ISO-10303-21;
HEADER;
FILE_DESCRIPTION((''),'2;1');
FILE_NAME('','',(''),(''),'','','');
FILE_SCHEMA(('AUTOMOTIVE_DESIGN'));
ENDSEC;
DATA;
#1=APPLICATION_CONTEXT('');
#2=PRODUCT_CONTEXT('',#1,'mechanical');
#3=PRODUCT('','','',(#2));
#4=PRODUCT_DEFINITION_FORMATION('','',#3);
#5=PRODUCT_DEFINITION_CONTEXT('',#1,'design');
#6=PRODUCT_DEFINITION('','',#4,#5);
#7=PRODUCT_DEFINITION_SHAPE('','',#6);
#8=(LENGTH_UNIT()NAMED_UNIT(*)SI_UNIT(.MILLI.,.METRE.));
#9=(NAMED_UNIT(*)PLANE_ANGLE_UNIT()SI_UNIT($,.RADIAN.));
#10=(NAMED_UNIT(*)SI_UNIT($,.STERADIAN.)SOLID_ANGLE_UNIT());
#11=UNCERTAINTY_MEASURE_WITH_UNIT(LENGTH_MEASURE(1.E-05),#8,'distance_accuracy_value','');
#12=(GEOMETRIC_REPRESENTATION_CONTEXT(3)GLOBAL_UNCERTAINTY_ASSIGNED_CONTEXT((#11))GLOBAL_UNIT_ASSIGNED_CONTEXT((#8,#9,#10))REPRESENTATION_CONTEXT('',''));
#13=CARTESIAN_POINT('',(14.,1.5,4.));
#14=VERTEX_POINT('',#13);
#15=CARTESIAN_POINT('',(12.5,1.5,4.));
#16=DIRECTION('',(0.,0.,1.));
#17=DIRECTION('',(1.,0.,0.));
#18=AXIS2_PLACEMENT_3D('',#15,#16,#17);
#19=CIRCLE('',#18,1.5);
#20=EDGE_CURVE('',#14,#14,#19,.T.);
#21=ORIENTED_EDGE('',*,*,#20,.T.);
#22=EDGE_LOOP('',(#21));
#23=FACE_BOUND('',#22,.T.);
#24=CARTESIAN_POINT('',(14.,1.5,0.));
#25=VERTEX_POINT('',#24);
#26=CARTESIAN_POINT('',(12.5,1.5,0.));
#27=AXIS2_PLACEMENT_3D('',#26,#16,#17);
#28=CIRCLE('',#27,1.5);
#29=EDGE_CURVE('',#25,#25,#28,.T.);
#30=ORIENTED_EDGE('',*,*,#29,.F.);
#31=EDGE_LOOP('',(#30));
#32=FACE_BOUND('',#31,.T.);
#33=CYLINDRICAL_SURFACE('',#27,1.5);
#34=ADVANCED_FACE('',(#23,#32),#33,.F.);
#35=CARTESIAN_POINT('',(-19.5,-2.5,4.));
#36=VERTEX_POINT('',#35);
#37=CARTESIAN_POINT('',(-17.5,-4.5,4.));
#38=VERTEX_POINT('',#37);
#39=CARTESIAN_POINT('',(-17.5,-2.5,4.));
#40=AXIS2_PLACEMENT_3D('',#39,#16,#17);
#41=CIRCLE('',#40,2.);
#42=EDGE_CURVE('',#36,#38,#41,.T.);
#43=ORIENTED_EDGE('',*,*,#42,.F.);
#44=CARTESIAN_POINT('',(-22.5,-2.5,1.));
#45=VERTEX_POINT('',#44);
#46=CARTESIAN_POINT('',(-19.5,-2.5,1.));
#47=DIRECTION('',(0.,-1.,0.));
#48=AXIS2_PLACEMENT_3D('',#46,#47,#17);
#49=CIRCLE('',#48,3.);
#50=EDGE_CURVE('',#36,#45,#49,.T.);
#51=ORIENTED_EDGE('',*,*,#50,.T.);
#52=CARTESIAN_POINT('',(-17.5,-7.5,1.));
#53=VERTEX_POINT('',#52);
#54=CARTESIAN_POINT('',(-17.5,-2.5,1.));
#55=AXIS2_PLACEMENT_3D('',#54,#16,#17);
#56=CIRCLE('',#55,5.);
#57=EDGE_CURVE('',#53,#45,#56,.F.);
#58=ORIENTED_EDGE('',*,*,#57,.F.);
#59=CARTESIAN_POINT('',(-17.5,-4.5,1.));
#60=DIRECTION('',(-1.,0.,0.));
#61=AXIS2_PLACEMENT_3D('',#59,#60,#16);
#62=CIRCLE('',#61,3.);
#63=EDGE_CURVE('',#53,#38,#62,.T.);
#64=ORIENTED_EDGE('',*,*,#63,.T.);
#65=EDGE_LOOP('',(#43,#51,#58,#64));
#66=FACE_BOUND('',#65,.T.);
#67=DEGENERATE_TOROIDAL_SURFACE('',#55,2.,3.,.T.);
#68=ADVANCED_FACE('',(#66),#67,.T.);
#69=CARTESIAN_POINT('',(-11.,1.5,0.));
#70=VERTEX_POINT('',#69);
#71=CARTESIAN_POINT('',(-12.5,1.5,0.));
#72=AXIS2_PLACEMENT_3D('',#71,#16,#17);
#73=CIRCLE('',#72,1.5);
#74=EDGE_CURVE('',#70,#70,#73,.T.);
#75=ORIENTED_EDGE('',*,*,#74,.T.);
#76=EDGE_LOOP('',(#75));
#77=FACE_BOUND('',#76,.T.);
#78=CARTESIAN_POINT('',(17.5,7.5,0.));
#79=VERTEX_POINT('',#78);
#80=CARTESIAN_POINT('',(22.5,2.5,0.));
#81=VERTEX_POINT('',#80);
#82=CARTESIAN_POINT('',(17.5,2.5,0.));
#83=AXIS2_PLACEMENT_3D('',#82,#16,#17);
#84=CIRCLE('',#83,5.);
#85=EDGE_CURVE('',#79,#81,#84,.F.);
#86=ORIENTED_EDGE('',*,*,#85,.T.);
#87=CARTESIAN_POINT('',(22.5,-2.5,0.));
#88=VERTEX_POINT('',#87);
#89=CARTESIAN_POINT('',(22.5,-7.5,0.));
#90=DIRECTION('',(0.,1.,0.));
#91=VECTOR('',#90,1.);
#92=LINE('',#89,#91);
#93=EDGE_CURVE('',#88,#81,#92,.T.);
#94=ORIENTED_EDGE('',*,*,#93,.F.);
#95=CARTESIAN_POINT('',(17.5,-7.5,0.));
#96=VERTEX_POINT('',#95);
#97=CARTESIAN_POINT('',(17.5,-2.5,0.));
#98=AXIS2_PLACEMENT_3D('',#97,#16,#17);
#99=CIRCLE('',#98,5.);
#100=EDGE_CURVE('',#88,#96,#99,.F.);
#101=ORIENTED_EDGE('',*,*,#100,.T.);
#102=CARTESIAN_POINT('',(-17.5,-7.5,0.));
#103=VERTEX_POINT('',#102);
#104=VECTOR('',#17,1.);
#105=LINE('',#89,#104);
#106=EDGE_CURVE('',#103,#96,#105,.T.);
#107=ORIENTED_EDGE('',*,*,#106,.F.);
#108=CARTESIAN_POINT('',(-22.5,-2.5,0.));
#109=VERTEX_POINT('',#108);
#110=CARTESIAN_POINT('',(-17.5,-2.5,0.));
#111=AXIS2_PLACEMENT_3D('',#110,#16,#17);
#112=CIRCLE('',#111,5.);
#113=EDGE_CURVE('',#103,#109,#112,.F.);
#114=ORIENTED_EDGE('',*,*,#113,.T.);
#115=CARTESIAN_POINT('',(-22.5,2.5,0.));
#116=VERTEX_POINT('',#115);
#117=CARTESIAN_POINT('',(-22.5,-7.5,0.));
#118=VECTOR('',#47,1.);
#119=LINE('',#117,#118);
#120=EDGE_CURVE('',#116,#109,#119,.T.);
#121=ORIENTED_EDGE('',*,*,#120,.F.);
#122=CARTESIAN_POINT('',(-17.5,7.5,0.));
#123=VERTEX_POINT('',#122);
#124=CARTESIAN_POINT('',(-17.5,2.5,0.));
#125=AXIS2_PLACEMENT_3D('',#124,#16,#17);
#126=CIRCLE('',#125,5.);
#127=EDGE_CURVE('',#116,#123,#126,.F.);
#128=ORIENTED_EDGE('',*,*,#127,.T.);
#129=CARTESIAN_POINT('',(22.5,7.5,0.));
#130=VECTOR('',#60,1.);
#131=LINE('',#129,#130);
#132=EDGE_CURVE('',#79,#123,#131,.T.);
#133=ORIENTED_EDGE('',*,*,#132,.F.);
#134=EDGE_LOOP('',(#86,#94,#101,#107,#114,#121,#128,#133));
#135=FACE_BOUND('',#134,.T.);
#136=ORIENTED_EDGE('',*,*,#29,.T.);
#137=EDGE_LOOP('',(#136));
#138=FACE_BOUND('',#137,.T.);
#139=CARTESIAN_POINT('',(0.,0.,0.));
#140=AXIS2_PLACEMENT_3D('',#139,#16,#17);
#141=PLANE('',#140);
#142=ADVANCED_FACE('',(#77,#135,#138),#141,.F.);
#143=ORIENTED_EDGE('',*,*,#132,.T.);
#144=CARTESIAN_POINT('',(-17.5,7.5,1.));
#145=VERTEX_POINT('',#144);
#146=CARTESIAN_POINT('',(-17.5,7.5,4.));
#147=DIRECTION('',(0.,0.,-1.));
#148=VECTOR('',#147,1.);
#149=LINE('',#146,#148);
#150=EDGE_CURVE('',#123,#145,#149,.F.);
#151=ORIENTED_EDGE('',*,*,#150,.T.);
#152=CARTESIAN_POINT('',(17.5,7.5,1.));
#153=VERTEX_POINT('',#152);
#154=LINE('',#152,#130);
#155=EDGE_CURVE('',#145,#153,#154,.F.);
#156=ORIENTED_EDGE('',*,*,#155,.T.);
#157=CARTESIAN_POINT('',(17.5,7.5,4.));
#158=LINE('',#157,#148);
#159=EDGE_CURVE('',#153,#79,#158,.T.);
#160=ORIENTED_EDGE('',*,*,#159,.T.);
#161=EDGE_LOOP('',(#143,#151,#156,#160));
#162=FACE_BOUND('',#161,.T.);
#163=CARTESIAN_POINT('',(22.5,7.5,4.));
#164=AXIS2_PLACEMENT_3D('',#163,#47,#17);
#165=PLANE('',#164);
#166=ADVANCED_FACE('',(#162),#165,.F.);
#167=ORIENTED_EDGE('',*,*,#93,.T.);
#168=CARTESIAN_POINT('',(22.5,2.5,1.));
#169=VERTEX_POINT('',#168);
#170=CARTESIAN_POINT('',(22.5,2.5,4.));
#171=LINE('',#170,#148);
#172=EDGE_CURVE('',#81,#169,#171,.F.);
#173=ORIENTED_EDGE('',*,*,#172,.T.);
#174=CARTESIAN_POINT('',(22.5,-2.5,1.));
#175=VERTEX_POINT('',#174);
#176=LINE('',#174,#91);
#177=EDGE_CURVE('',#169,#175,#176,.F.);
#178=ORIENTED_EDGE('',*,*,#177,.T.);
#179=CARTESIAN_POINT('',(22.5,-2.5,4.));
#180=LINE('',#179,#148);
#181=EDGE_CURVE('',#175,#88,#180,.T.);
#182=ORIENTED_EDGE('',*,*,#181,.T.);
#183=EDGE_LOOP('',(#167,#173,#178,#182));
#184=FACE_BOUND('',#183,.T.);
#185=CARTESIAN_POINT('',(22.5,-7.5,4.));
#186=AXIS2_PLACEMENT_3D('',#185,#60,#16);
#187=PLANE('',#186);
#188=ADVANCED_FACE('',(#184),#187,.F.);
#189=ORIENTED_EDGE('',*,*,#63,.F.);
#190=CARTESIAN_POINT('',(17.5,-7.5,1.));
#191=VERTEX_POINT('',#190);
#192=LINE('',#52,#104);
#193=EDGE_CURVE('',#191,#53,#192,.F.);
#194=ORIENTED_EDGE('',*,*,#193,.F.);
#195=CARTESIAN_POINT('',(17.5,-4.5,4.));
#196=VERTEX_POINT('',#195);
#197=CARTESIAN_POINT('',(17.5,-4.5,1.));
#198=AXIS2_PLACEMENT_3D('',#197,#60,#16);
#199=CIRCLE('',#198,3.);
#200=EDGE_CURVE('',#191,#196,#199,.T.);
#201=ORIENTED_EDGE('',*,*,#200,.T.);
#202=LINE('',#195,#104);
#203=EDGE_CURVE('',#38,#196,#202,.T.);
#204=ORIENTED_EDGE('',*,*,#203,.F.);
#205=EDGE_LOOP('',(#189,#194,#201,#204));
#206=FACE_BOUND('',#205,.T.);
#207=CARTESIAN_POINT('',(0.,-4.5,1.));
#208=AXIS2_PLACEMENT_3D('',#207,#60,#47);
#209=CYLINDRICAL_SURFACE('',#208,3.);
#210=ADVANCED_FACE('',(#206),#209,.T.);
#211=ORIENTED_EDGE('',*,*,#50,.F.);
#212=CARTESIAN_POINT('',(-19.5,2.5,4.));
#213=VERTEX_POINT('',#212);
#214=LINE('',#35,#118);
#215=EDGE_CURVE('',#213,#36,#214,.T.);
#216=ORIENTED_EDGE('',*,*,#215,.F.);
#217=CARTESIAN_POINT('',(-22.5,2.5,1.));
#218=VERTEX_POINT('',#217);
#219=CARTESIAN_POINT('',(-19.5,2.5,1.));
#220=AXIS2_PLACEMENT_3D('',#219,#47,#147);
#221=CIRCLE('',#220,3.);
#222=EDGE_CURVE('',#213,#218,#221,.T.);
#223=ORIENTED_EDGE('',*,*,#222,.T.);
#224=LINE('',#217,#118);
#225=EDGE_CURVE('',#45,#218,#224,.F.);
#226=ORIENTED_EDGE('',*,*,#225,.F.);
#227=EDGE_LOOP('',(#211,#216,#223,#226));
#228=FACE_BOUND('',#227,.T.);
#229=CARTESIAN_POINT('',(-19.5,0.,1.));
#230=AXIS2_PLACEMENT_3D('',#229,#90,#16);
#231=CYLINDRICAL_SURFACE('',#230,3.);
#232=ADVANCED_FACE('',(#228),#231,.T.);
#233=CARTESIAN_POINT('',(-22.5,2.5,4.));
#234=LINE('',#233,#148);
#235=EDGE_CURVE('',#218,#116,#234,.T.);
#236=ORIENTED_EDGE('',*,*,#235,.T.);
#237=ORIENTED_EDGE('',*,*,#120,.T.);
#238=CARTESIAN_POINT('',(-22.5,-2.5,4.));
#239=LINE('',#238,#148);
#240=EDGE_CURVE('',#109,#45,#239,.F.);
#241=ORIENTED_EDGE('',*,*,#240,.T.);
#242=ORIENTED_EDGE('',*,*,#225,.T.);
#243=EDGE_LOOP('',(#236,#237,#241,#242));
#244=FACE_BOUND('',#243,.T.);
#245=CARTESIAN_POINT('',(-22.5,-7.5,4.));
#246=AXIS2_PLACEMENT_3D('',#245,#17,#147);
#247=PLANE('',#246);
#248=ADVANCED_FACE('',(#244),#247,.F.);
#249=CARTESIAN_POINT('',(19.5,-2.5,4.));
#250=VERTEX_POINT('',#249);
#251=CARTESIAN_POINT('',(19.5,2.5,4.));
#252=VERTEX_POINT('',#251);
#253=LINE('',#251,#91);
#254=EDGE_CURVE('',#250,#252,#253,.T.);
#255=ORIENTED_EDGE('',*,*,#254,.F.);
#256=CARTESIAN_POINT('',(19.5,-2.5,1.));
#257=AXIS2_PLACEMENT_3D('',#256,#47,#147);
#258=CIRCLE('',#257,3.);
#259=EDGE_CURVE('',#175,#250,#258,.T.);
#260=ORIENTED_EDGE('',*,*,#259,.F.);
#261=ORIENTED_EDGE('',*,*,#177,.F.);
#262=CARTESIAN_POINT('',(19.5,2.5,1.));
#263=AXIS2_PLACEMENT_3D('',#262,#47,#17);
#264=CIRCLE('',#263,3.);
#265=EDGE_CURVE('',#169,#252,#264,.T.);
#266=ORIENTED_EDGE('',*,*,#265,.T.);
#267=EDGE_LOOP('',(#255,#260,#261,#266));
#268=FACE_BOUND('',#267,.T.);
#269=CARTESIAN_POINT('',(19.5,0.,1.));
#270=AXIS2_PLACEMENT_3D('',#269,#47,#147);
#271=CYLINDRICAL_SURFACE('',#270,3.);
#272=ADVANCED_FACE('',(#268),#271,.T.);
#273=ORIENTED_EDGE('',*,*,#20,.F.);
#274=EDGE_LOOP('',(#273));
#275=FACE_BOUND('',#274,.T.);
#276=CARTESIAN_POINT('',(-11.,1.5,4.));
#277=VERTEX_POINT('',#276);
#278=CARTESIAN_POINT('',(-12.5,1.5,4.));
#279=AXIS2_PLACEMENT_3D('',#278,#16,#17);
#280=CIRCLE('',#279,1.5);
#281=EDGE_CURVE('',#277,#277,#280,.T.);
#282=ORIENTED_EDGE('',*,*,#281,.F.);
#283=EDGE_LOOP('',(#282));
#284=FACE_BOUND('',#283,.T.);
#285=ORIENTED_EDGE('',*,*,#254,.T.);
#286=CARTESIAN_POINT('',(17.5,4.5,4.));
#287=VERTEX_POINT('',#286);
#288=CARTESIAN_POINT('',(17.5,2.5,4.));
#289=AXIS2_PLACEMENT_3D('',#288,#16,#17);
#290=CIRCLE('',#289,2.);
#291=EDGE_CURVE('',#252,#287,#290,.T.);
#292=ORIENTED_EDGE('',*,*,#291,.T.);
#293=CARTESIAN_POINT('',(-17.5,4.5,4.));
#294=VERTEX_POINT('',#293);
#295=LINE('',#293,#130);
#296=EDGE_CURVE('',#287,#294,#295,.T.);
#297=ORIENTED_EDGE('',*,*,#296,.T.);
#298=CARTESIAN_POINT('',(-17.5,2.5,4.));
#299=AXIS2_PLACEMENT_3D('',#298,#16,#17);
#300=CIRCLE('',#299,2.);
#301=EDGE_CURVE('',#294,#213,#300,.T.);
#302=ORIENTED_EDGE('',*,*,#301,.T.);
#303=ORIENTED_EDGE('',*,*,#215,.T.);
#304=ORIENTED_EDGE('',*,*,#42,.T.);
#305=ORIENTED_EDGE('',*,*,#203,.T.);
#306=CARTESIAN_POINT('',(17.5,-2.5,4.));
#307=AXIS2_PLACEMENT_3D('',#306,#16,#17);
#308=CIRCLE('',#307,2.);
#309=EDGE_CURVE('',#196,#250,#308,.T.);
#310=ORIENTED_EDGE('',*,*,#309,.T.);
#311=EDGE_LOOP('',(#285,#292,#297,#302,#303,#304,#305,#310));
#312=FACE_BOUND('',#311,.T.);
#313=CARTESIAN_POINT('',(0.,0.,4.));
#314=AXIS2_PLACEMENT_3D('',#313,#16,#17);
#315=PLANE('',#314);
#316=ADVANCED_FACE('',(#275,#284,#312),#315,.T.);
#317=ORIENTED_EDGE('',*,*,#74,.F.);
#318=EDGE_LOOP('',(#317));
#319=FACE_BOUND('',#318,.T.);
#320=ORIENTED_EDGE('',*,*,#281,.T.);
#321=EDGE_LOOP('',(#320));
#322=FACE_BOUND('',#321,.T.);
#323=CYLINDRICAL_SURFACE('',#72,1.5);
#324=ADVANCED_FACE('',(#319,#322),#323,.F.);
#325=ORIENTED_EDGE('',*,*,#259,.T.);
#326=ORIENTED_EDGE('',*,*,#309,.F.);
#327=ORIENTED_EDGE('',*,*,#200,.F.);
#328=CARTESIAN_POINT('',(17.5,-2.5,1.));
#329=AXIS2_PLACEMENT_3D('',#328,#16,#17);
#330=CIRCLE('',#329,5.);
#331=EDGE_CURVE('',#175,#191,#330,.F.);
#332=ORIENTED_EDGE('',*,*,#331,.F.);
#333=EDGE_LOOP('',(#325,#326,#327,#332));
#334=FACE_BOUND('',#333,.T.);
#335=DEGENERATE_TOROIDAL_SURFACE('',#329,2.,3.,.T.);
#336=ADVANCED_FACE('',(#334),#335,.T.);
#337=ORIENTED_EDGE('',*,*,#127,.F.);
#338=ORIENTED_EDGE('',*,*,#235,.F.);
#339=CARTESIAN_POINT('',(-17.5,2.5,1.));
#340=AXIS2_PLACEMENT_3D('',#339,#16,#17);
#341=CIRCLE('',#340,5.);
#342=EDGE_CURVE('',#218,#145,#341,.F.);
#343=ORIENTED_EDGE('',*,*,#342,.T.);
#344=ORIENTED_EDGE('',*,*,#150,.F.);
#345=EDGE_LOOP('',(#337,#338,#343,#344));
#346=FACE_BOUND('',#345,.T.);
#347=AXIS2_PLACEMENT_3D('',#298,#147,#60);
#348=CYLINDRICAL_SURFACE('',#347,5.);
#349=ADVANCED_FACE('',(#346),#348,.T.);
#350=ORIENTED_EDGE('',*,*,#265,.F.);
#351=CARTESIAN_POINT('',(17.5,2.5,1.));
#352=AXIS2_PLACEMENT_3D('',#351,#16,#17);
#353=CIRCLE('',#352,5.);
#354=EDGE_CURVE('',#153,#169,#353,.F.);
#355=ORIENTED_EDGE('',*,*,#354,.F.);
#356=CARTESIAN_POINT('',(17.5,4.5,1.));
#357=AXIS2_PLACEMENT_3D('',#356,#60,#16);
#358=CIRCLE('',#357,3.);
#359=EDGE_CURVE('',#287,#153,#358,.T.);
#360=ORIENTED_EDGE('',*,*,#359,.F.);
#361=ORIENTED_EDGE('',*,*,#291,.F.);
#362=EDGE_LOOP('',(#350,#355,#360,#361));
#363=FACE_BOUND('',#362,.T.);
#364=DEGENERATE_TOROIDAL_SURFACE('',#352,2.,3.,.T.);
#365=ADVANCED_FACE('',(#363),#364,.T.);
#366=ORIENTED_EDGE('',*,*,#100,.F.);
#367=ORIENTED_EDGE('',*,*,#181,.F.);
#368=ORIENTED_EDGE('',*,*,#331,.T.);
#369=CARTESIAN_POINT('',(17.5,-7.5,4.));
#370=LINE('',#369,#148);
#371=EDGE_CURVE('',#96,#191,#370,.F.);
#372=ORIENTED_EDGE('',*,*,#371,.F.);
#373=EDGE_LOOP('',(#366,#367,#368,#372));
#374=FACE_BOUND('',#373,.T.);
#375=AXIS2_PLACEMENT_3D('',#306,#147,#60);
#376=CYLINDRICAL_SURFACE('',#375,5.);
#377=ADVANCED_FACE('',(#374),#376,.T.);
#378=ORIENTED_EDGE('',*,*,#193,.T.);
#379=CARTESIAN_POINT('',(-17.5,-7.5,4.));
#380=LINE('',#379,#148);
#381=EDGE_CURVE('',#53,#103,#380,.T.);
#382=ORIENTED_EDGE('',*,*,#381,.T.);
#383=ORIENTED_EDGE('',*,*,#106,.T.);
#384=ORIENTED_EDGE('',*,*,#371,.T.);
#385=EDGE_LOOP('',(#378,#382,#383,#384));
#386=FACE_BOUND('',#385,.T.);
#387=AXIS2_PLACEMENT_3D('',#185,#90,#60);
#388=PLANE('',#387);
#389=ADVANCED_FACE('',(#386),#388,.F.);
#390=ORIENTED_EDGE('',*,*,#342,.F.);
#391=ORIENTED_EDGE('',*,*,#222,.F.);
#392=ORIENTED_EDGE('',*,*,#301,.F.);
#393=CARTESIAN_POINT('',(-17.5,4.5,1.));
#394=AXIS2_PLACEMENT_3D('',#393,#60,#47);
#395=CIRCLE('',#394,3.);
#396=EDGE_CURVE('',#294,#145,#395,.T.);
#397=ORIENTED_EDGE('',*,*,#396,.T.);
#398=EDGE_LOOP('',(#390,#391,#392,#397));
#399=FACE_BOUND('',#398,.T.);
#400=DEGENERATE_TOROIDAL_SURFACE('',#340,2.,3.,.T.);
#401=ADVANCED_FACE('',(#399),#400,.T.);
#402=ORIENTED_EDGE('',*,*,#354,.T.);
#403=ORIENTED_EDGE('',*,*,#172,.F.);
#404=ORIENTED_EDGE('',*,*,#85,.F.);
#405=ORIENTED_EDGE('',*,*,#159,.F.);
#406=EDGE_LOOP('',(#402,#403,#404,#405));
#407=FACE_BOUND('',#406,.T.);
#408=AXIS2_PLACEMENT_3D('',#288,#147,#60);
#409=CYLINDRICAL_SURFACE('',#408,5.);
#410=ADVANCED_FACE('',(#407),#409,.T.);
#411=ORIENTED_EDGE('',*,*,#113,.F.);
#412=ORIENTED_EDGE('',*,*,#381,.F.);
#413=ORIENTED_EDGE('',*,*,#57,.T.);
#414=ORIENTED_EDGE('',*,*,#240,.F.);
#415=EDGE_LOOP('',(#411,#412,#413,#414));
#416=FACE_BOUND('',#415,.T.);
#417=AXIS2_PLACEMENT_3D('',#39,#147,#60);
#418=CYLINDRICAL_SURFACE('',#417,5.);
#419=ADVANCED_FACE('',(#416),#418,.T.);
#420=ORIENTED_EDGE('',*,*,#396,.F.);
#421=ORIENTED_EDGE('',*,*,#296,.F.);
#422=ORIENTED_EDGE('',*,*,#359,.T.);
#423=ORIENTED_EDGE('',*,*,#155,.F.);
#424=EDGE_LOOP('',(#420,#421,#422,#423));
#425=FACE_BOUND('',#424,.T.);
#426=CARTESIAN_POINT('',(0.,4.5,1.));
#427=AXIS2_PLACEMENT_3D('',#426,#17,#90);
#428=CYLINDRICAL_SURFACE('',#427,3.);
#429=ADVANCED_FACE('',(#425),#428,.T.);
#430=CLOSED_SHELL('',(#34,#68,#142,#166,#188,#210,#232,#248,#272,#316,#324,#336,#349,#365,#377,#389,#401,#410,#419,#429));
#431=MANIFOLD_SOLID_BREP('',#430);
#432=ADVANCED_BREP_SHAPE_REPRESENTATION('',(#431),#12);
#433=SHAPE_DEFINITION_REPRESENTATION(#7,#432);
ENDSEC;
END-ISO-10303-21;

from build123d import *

# Parameters (mm, degrees)
ESQUISSE1_W             = 45
ESQUISSE1_H             = 15
BOSS_EXTRU_1_DEPTH      = 4
CONG_1_R                = 5
CONG_2_R                = 3
ESQUISSE2_R             = 1.5
ENL_V_MAT_EXTRU_1_DEPTH = 5


with BuildPart() as part:
    # Esquisse1 → Boss.-Extru.1 (new body)
    with BuildSketch(Plane.XY):
        Rectangle(ESQUISSE1_W, ESQUISSE1_H)
    extrude(amount=BOSS_EXTRU_1_DEPTH)

    # Congé1
    cong_1_edges = [part.edges().sort_by_distance(p)[0] for p in [
        (-22.5, 7.5, 2),
        (22.5, 7.5, 2),
        (22.5, -7.5, 2),
        (-22.5, -7.5, 2),
    ]]
    fillet(cong_1_edges, radius=CONG_1_R)

    # Congé2
    cong_2_edges = [part.edges().sort_by_distance(p)[0] for p in [
        (22.5, 0, 4),
        (0, -7.5, 4),
        (-22.5, 0, 4),
        (0, 7.5, 4),
        (21.035533906, 6.035533906, 4),
        (-21.035533906, 6.035533906, 4),
        (-21.035533906, -6.035533906, 4),
        (21.035533906, -6.035533906, 4),
    ]]
    fillet(cong_2_edges, radius=CONG_2_R)

    # Esquisse2 → Enlèv. mat.-Extru.1 (cut, through all)
    with BuildSketch(Plane.XY.offset(4)):
        with Locations((-12.5, 1.5)):
            Circle(ESQUISSE2_R)
        with Locations((12.5, 1.5)):
            Circle(ESQUISSE2_R)
    extrude(amount=-ENL_V_MAT_EXTRU_1_DEPTH, mode=Mode.SUBTRACT)


solid = part.part
